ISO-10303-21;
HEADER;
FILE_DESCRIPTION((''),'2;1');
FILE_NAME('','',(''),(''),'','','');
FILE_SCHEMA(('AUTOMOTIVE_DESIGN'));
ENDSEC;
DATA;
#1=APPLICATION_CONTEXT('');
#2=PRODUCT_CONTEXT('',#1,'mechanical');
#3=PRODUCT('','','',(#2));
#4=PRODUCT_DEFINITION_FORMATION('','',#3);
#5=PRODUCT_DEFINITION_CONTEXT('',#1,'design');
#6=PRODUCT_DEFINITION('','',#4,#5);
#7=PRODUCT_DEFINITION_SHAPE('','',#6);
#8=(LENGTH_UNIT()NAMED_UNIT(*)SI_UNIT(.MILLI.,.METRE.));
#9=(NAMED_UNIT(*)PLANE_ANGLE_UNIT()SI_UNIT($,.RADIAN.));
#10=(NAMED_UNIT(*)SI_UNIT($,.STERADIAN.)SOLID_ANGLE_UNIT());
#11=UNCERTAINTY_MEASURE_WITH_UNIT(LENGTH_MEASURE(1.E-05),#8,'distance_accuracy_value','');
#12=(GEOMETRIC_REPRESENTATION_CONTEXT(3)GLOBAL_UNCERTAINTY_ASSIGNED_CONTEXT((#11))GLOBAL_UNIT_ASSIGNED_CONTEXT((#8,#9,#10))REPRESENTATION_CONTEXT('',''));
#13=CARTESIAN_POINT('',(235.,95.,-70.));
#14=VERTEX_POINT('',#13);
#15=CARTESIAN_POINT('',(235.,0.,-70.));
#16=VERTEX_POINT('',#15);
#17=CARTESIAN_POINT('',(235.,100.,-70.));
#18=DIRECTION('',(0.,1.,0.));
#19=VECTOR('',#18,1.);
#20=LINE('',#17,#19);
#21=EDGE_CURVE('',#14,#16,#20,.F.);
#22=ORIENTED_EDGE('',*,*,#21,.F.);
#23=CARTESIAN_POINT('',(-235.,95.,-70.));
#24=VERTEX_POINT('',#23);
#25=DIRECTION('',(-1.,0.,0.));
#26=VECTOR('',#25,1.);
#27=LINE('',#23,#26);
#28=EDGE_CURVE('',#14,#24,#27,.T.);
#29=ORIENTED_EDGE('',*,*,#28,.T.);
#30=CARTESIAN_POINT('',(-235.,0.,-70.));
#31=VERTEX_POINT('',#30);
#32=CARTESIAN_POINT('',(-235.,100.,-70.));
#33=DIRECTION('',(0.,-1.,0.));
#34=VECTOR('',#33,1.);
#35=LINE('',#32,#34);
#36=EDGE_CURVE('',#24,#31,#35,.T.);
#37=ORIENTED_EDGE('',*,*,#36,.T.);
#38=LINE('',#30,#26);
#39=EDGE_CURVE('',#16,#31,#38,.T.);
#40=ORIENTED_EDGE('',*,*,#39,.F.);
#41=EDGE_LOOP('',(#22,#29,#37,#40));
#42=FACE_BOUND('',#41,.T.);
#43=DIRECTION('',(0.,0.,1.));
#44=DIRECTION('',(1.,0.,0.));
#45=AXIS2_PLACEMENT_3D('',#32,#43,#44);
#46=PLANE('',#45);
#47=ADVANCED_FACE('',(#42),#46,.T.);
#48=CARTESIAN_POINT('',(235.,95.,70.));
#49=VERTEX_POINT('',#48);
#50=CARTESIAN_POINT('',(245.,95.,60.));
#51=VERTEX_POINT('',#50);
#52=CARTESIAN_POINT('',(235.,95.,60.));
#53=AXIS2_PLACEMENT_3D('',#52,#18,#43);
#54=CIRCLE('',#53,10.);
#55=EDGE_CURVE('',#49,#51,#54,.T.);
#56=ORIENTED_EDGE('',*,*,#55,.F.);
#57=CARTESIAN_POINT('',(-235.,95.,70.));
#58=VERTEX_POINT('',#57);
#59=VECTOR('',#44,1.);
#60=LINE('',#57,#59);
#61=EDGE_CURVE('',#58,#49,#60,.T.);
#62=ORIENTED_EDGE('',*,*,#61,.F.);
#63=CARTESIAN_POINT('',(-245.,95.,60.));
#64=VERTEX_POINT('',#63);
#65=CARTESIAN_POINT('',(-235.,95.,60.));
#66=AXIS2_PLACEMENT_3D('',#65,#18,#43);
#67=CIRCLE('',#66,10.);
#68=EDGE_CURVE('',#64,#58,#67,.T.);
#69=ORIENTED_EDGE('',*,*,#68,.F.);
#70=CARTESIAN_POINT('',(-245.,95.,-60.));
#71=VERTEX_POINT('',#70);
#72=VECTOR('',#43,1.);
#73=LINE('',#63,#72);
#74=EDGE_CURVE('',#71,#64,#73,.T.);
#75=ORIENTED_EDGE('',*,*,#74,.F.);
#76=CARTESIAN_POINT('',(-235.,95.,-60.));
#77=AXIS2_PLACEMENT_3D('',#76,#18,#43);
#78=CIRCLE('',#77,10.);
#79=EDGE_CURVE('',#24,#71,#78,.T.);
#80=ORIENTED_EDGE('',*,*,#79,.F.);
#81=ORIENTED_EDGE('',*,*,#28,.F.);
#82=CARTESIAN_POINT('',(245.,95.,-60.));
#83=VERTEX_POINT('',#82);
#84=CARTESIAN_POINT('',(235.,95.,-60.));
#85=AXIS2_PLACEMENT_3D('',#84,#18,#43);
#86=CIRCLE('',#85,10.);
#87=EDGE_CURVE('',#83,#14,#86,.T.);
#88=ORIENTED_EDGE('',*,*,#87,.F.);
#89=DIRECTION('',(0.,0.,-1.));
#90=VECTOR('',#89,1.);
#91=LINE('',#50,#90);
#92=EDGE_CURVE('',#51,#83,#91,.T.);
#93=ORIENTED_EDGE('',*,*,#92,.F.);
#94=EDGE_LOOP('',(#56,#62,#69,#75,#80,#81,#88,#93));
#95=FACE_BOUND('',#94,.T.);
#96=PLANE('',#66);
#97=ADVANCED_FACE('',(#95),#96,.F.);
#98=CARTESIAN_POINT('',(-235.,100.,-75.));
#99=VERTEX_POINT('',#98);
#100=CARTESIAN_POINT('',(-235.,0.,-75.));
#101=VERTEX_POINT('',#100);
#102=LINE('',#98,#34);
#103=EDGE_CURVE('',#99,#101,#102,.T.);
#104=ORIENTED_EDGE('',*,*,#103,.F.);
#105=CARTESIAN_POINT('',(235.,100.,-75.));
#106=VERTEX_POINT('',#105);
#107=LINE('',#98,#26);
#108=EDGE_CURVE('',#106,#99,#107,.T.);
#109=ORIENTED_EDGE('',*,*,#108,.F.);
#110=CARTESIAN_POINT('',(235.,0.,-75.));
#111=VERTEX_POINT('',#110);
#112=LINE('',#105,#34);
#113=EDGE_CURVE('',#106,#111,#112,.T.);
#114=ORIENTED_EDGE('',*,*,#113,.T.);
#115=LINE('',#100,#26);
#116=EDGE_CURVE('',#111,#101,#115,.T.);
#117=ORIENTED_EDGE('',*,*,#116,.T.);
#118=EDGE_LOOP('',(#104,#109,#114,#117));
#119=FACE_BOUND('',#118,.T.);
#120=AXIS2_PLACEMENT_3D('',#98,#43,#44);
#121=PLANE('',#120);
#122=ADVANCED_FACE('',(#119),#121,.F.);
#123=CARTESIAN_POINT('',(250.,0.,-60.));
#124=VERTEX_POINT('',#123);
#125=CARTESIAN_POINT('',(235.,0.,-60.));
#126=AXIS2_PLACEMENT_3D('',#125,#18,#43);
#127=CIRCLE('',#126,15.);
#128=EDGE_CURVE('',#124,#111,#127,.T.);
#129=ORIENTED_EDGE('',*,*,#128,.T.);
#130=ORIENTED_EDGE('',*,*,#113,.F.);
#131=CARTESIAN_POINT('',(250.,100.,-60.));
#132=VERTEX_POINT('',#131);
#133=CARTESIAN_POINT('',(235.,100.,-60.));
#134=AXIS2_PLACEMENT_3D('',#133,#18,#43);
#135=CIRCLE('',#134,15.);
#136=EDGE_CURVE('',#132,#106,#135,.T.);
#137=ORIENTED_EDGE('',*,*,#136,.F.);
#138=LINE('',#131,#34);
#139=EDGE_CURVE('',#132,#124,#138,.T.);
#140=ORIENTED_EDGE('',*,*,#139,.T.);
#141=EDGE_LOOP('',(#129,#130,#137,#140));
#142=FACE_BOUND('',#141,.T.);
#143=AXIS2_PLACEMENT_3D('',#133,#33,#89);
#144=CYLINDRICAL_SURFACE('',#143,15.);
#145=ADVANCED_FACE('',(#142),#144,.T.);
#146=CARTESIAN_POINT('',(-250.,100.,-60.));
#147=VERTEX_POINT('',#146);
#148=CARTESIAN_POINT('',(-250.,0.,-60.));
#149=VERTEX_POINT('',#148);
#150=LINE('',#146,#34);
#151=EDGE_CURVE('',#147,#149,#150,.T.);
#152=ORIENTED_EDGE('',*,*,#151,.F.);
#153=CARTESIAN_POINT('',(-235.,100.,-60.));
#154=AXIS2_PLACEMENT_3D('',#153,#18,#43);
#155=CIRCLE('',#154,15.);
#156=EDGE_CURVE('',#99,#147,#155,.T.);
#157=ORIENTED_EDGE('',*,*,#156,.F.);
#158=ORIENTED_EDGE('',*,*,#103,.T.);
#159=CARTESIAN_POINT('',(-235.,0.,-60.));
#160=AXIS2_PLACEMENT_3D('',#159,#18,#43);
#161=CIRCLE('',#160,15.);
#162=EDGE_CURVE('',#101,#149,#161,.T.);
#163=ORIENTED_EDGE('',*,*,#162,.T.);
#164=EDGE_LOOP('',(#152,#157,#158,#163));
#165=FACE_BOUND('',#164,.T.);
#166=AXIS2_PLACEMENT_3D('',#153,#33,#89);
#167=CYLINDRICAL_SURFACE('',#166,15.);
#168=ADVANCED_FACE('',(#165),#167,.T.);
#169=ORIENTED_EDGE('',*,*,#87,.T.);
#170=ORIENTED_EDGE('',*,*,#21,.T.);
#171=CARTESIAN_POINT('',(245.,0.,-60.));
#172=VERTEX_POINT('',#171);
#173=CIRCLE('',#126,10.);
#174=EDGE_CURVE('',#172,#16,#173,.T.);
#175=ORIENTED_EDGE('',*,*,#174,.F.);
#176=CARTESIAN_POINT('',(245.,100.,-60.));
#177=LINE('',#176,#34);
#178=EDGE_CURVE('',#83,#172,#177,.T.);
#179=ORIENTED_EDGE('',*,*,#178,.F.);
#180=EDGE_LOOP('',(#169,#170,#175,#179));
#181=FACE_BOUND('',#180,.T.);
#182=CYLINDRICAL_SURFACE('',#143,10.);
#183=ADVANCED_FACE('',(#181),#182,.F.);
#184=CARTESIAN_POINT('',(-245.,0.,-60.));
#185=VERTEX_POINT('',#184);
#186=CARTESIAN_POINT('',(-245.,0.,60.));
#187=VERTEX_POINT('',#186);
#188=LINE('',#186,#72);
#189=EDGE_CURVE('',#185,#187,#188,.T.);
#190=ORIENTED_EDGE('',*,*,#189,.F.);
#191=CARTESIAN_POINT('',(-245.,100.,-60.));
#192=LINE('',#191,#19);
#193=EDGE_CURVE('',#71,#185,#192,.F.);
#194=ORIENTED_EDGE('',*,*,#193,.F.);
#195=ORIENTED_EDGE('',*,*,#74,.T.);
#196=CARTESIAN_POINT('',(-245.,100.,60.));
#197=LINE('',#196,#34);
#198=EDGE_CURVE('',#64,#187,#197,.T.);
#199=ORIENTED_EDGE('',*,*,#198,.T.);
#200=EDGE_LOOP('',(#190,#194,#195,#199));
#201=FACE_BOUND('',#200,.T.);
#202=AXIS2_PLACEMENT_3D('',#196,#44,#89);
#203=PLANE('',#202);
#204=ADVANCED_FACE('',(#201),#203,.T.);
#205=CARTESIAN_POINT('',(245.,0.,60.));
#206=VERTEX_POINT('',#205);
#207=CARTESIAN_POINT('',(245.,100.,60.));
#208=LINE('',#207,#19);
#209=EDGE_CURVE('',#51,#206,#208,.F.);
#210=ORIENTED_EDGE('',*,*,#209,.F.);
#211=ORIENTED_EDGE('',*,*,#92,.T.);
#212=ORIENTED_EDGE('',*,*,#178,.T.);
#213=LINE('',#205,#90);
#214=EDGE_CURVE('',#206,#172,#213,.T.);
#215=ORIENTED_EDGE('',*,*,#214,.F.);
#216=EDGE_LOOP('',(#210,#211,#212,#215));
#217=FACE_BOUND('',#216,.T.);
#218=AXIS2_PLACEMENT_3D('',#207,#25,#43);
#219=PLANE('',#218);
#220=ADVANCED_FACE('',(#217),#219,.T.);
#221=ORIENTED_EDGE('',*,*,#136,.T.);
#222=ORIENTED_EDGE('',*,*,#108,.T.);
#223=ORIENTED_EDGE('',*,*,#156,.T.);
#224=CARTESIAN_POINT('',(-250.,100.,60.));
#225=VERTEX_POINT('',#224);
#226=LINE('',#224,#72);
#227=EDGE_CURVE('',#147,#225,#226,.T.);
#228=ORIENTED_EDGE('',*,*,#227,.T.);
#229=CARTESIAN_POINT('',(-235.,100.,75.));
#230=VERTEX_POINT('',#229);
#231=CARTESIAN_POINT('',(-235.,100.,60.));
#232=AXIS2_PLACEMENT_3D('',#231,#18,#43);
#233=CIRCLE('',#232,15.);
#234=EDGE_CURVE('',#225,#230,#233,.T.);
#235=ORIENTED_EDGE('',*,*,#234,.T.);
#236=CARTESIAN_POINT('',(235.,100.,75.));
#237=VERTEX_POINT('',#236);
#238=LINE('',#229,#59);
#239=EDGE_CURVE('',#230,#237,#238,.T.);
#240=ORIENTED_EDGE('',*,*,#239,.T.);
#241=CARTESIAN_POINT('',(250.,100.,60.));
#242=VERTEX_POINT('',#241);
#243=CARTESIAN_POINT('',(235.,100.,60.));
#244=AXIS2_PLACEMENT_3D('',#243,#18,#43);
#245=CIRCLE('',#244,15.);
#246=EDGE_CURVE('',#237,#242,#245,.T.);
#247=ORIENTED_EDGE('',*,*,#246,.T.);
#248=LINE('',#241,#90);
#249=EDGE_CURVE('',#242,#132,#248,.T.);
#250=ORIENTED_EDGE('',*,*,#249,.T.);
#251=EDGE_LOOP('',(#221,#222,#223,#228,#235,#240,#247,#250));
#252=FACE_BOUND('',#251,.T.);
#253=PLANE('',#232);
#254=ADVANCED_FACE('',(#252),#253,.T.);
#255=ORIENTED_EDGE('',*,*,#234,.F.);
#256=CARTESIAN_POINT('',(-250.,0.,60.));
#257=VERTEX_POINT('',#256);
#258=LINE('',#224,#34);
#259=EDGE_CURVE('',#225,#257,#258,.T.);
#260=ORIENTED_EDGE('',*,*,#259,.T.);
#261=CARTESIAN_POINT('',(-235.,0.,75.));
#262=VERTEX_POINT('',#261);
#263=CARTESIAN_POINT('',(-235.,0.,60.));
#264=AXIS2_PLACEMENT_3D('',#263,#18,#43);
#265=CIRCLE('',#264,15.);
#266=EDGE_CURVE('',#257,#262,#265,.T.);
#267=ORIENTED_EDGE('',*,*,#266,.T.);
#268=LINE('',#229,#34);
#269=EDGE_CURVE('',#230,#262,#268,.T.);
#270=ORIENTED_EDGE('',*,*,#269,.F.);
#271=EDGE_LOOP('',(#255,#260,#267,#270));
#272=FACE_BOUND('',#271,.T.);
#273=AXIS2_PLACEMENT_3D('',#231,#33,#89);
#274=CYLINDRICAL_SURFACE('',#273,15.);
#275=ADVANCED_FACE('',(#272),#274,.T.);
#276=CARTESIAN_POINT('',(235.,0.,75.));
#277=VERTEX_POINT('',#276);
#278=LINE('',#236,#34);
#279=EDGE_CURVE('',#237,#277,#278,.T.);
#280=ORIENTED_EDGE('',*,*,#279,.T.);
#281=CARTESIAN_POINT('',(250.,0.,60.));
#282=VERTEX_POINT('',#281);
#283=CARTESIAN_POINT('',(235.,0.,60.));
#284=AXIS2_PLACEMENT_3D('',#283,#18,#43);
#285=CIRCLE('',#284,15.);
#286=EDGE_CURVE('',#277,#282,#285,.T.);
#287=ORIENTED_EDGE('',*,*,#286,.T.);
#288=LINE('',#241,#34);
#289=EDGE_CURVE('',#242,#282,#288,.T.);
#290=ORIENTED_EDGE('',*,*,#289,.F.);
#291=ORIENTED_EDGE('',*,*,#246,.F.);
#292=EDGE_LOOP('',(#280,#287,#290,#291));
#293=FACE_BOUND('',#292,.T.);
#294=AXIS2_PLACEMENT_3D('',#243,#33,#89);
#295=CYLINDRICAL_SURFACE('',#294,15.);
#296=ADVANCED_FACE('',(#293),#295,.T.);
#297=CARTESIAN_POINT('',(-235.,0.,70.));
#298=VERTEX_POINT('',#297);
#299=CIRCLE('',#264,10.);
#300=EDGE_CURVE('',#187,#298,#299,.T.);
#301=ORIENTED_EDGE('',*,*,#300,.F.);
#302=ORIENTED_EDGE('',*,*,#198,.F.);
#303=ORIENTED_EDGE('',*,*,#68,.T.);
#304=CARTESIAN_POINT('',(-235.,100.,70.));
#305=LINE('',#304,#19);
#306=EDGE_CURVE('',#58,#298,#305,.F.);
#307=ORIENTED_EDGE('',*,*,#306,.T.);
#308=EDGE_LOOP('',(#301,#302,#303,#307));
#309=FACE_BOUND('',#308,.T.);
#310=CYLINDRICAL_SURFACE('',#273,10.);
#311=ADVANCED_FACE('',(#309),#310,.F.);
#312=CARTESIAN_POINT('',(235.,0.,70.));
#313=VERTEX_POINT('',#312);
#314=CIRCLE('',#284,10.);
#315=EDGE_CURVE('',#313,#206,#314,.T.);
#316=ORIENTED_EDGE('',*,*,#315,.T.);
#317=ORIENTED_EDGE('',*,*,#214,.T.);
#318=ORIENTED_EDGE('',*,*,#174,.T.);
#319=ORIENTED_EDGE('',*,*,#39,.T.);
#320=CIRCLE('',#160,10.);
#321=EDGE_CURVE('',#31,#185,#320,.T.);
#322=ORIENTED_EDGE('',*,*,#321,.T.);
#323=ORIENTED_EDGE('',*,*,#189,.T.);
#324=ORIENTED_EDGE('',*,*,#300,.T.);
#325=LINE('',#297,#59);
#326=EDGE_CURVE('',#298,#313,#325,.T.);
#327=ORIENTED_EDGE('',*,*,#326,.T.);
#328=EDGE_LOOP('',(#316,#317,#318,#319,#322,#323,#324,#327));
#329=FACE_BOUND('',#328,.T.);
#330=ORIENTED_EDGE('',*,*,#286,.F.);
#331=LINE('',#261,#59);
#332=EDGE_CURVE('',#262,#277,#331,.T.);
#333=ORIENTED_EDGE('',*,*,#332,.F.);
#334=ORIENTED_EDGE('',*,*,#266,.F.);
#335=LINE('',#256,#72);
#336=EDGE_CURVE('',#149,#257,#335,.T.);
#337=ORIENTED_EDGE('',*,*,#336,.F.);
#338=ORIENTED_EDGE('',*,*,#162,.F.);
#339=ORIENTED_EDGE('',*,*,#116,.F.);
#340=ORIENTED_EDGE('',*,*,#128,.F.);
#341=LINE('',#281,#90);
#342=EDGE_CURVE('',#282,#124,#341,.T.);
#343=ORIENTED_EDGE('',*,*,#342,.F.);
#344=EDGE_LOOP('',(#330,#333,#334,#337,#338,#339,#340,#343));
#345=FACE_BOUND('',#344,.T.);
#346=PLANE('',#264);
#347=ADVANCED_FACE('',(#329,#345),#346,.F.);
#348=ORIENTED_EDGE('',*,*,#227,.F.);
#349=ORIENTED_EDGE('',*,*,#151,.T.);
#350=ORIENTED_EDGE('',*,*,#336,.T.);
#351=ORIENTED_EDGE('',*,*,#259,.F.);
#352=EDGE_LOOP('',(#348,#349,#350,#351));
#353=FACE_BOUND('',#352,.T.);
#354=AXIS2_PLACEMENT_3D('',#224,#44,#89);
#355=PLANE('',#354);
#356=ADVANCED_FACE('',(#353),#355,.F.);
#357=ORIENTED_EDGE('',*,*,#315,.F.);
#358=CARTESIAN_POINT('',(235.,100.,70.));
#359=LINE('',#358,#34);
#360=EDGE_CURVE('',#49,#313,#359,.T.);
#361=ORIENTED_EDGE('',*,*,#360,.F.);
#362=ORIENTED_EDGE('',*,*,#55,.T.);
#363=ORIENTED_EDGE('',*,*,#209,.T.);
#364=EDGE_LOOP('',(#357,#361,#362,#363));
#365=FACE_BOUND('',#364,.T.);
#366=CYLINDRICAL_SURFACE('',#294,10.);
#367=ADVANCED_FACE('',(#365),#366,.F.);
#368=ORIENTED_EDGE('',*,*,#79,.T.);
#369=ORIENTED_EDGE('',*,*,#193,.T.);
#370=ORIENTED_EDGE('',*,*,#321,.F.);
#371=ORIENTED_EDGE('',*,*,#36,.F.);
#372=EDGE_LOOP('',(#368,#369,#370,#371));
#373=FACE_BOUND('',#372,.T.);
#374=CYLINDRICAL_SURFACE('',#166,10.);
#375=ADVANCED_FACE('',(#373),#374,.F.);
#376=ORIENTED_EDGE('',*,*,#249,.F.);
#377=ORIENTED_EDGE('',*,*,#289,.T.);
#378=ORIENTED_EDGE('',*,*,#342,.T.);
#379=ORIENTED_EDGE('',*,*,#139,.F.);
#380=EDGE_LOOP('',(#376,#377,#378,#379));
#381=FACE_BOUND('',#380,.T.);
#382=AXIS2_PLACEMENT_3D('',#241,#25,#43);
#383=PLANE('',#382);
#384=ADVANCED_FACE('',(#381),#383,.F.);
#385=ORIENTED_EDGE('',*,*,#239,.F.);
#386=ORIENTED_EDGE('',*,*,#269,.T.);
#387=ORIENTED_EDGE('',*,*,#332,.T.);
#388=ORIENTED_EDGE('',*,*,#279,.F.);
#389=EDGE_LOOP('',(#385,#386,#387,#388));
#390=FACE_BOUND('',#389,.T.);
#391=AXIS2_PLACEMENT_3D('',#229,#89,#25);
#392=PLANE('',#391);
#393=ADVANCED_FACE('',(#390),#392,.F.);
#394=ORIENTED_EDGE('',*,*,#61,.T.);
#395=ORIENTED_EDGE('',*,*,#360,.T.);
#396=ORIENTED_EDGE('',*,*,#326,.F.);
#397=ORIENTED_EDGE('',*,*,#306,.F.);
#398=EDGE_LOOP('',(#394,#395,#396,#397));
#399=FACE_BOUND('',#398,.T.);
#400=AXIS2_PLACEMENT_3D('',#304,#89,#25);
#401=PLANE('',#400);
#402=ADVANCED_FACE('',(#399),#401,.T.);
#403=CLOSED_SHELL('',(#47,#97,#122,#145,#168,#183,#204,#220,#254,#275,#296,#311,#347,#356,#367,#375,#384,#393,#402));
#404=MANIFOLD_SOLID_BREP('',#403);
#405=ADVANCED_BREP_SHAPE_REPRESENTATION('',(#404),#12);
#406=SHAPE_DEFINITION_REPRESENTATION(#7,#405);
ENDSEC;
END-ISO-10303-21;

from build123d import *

# Parameters (mm, degrees)
BOSS_EXTRUDE1_DEPTH = 100
SHELL1_T            = -5


with BuildPart() as part:
    # Sketch1 → Boss-Extrude1 (new body)
    with BuildSketch(Plane(origin=(0, 0, 0), x_dir=(1, 0, 0), z_dir=(0, 1, 0))):
        with BuildLine():
            Line((-235, -75), (235, -75))
            ThreePointArc((235, -75), (245.606601718, -70.606601718), (250, -60))
            Line((250, -60), (250, 60))
            ThreePointArc((250, 60), (245.606601718, 70.606601718), (235, 75))
            Line((235, 75), (-235, 75))
            ThreePointArc((-235, 75), (-245.606601718, 70.606601718), (-250, 60))
            Line((-250, 60), (-250, -60))
            ThreePointArc((-250, -60), (-245.606601718, -70.606601718), (-235, -75))
        make_face()
    extrude(amount=BOSS_EXTRUDE1_DEPTH)

    # Shell1
    shell1_openings = [part.faces().sort_by_distance(p)[0] for p in [
        (0, 0, 0),
    ]]
    offset(amount=SHELL1_T, openings=shell1_openings, kind=Kind.INTERSECTION)


solid = part.part
